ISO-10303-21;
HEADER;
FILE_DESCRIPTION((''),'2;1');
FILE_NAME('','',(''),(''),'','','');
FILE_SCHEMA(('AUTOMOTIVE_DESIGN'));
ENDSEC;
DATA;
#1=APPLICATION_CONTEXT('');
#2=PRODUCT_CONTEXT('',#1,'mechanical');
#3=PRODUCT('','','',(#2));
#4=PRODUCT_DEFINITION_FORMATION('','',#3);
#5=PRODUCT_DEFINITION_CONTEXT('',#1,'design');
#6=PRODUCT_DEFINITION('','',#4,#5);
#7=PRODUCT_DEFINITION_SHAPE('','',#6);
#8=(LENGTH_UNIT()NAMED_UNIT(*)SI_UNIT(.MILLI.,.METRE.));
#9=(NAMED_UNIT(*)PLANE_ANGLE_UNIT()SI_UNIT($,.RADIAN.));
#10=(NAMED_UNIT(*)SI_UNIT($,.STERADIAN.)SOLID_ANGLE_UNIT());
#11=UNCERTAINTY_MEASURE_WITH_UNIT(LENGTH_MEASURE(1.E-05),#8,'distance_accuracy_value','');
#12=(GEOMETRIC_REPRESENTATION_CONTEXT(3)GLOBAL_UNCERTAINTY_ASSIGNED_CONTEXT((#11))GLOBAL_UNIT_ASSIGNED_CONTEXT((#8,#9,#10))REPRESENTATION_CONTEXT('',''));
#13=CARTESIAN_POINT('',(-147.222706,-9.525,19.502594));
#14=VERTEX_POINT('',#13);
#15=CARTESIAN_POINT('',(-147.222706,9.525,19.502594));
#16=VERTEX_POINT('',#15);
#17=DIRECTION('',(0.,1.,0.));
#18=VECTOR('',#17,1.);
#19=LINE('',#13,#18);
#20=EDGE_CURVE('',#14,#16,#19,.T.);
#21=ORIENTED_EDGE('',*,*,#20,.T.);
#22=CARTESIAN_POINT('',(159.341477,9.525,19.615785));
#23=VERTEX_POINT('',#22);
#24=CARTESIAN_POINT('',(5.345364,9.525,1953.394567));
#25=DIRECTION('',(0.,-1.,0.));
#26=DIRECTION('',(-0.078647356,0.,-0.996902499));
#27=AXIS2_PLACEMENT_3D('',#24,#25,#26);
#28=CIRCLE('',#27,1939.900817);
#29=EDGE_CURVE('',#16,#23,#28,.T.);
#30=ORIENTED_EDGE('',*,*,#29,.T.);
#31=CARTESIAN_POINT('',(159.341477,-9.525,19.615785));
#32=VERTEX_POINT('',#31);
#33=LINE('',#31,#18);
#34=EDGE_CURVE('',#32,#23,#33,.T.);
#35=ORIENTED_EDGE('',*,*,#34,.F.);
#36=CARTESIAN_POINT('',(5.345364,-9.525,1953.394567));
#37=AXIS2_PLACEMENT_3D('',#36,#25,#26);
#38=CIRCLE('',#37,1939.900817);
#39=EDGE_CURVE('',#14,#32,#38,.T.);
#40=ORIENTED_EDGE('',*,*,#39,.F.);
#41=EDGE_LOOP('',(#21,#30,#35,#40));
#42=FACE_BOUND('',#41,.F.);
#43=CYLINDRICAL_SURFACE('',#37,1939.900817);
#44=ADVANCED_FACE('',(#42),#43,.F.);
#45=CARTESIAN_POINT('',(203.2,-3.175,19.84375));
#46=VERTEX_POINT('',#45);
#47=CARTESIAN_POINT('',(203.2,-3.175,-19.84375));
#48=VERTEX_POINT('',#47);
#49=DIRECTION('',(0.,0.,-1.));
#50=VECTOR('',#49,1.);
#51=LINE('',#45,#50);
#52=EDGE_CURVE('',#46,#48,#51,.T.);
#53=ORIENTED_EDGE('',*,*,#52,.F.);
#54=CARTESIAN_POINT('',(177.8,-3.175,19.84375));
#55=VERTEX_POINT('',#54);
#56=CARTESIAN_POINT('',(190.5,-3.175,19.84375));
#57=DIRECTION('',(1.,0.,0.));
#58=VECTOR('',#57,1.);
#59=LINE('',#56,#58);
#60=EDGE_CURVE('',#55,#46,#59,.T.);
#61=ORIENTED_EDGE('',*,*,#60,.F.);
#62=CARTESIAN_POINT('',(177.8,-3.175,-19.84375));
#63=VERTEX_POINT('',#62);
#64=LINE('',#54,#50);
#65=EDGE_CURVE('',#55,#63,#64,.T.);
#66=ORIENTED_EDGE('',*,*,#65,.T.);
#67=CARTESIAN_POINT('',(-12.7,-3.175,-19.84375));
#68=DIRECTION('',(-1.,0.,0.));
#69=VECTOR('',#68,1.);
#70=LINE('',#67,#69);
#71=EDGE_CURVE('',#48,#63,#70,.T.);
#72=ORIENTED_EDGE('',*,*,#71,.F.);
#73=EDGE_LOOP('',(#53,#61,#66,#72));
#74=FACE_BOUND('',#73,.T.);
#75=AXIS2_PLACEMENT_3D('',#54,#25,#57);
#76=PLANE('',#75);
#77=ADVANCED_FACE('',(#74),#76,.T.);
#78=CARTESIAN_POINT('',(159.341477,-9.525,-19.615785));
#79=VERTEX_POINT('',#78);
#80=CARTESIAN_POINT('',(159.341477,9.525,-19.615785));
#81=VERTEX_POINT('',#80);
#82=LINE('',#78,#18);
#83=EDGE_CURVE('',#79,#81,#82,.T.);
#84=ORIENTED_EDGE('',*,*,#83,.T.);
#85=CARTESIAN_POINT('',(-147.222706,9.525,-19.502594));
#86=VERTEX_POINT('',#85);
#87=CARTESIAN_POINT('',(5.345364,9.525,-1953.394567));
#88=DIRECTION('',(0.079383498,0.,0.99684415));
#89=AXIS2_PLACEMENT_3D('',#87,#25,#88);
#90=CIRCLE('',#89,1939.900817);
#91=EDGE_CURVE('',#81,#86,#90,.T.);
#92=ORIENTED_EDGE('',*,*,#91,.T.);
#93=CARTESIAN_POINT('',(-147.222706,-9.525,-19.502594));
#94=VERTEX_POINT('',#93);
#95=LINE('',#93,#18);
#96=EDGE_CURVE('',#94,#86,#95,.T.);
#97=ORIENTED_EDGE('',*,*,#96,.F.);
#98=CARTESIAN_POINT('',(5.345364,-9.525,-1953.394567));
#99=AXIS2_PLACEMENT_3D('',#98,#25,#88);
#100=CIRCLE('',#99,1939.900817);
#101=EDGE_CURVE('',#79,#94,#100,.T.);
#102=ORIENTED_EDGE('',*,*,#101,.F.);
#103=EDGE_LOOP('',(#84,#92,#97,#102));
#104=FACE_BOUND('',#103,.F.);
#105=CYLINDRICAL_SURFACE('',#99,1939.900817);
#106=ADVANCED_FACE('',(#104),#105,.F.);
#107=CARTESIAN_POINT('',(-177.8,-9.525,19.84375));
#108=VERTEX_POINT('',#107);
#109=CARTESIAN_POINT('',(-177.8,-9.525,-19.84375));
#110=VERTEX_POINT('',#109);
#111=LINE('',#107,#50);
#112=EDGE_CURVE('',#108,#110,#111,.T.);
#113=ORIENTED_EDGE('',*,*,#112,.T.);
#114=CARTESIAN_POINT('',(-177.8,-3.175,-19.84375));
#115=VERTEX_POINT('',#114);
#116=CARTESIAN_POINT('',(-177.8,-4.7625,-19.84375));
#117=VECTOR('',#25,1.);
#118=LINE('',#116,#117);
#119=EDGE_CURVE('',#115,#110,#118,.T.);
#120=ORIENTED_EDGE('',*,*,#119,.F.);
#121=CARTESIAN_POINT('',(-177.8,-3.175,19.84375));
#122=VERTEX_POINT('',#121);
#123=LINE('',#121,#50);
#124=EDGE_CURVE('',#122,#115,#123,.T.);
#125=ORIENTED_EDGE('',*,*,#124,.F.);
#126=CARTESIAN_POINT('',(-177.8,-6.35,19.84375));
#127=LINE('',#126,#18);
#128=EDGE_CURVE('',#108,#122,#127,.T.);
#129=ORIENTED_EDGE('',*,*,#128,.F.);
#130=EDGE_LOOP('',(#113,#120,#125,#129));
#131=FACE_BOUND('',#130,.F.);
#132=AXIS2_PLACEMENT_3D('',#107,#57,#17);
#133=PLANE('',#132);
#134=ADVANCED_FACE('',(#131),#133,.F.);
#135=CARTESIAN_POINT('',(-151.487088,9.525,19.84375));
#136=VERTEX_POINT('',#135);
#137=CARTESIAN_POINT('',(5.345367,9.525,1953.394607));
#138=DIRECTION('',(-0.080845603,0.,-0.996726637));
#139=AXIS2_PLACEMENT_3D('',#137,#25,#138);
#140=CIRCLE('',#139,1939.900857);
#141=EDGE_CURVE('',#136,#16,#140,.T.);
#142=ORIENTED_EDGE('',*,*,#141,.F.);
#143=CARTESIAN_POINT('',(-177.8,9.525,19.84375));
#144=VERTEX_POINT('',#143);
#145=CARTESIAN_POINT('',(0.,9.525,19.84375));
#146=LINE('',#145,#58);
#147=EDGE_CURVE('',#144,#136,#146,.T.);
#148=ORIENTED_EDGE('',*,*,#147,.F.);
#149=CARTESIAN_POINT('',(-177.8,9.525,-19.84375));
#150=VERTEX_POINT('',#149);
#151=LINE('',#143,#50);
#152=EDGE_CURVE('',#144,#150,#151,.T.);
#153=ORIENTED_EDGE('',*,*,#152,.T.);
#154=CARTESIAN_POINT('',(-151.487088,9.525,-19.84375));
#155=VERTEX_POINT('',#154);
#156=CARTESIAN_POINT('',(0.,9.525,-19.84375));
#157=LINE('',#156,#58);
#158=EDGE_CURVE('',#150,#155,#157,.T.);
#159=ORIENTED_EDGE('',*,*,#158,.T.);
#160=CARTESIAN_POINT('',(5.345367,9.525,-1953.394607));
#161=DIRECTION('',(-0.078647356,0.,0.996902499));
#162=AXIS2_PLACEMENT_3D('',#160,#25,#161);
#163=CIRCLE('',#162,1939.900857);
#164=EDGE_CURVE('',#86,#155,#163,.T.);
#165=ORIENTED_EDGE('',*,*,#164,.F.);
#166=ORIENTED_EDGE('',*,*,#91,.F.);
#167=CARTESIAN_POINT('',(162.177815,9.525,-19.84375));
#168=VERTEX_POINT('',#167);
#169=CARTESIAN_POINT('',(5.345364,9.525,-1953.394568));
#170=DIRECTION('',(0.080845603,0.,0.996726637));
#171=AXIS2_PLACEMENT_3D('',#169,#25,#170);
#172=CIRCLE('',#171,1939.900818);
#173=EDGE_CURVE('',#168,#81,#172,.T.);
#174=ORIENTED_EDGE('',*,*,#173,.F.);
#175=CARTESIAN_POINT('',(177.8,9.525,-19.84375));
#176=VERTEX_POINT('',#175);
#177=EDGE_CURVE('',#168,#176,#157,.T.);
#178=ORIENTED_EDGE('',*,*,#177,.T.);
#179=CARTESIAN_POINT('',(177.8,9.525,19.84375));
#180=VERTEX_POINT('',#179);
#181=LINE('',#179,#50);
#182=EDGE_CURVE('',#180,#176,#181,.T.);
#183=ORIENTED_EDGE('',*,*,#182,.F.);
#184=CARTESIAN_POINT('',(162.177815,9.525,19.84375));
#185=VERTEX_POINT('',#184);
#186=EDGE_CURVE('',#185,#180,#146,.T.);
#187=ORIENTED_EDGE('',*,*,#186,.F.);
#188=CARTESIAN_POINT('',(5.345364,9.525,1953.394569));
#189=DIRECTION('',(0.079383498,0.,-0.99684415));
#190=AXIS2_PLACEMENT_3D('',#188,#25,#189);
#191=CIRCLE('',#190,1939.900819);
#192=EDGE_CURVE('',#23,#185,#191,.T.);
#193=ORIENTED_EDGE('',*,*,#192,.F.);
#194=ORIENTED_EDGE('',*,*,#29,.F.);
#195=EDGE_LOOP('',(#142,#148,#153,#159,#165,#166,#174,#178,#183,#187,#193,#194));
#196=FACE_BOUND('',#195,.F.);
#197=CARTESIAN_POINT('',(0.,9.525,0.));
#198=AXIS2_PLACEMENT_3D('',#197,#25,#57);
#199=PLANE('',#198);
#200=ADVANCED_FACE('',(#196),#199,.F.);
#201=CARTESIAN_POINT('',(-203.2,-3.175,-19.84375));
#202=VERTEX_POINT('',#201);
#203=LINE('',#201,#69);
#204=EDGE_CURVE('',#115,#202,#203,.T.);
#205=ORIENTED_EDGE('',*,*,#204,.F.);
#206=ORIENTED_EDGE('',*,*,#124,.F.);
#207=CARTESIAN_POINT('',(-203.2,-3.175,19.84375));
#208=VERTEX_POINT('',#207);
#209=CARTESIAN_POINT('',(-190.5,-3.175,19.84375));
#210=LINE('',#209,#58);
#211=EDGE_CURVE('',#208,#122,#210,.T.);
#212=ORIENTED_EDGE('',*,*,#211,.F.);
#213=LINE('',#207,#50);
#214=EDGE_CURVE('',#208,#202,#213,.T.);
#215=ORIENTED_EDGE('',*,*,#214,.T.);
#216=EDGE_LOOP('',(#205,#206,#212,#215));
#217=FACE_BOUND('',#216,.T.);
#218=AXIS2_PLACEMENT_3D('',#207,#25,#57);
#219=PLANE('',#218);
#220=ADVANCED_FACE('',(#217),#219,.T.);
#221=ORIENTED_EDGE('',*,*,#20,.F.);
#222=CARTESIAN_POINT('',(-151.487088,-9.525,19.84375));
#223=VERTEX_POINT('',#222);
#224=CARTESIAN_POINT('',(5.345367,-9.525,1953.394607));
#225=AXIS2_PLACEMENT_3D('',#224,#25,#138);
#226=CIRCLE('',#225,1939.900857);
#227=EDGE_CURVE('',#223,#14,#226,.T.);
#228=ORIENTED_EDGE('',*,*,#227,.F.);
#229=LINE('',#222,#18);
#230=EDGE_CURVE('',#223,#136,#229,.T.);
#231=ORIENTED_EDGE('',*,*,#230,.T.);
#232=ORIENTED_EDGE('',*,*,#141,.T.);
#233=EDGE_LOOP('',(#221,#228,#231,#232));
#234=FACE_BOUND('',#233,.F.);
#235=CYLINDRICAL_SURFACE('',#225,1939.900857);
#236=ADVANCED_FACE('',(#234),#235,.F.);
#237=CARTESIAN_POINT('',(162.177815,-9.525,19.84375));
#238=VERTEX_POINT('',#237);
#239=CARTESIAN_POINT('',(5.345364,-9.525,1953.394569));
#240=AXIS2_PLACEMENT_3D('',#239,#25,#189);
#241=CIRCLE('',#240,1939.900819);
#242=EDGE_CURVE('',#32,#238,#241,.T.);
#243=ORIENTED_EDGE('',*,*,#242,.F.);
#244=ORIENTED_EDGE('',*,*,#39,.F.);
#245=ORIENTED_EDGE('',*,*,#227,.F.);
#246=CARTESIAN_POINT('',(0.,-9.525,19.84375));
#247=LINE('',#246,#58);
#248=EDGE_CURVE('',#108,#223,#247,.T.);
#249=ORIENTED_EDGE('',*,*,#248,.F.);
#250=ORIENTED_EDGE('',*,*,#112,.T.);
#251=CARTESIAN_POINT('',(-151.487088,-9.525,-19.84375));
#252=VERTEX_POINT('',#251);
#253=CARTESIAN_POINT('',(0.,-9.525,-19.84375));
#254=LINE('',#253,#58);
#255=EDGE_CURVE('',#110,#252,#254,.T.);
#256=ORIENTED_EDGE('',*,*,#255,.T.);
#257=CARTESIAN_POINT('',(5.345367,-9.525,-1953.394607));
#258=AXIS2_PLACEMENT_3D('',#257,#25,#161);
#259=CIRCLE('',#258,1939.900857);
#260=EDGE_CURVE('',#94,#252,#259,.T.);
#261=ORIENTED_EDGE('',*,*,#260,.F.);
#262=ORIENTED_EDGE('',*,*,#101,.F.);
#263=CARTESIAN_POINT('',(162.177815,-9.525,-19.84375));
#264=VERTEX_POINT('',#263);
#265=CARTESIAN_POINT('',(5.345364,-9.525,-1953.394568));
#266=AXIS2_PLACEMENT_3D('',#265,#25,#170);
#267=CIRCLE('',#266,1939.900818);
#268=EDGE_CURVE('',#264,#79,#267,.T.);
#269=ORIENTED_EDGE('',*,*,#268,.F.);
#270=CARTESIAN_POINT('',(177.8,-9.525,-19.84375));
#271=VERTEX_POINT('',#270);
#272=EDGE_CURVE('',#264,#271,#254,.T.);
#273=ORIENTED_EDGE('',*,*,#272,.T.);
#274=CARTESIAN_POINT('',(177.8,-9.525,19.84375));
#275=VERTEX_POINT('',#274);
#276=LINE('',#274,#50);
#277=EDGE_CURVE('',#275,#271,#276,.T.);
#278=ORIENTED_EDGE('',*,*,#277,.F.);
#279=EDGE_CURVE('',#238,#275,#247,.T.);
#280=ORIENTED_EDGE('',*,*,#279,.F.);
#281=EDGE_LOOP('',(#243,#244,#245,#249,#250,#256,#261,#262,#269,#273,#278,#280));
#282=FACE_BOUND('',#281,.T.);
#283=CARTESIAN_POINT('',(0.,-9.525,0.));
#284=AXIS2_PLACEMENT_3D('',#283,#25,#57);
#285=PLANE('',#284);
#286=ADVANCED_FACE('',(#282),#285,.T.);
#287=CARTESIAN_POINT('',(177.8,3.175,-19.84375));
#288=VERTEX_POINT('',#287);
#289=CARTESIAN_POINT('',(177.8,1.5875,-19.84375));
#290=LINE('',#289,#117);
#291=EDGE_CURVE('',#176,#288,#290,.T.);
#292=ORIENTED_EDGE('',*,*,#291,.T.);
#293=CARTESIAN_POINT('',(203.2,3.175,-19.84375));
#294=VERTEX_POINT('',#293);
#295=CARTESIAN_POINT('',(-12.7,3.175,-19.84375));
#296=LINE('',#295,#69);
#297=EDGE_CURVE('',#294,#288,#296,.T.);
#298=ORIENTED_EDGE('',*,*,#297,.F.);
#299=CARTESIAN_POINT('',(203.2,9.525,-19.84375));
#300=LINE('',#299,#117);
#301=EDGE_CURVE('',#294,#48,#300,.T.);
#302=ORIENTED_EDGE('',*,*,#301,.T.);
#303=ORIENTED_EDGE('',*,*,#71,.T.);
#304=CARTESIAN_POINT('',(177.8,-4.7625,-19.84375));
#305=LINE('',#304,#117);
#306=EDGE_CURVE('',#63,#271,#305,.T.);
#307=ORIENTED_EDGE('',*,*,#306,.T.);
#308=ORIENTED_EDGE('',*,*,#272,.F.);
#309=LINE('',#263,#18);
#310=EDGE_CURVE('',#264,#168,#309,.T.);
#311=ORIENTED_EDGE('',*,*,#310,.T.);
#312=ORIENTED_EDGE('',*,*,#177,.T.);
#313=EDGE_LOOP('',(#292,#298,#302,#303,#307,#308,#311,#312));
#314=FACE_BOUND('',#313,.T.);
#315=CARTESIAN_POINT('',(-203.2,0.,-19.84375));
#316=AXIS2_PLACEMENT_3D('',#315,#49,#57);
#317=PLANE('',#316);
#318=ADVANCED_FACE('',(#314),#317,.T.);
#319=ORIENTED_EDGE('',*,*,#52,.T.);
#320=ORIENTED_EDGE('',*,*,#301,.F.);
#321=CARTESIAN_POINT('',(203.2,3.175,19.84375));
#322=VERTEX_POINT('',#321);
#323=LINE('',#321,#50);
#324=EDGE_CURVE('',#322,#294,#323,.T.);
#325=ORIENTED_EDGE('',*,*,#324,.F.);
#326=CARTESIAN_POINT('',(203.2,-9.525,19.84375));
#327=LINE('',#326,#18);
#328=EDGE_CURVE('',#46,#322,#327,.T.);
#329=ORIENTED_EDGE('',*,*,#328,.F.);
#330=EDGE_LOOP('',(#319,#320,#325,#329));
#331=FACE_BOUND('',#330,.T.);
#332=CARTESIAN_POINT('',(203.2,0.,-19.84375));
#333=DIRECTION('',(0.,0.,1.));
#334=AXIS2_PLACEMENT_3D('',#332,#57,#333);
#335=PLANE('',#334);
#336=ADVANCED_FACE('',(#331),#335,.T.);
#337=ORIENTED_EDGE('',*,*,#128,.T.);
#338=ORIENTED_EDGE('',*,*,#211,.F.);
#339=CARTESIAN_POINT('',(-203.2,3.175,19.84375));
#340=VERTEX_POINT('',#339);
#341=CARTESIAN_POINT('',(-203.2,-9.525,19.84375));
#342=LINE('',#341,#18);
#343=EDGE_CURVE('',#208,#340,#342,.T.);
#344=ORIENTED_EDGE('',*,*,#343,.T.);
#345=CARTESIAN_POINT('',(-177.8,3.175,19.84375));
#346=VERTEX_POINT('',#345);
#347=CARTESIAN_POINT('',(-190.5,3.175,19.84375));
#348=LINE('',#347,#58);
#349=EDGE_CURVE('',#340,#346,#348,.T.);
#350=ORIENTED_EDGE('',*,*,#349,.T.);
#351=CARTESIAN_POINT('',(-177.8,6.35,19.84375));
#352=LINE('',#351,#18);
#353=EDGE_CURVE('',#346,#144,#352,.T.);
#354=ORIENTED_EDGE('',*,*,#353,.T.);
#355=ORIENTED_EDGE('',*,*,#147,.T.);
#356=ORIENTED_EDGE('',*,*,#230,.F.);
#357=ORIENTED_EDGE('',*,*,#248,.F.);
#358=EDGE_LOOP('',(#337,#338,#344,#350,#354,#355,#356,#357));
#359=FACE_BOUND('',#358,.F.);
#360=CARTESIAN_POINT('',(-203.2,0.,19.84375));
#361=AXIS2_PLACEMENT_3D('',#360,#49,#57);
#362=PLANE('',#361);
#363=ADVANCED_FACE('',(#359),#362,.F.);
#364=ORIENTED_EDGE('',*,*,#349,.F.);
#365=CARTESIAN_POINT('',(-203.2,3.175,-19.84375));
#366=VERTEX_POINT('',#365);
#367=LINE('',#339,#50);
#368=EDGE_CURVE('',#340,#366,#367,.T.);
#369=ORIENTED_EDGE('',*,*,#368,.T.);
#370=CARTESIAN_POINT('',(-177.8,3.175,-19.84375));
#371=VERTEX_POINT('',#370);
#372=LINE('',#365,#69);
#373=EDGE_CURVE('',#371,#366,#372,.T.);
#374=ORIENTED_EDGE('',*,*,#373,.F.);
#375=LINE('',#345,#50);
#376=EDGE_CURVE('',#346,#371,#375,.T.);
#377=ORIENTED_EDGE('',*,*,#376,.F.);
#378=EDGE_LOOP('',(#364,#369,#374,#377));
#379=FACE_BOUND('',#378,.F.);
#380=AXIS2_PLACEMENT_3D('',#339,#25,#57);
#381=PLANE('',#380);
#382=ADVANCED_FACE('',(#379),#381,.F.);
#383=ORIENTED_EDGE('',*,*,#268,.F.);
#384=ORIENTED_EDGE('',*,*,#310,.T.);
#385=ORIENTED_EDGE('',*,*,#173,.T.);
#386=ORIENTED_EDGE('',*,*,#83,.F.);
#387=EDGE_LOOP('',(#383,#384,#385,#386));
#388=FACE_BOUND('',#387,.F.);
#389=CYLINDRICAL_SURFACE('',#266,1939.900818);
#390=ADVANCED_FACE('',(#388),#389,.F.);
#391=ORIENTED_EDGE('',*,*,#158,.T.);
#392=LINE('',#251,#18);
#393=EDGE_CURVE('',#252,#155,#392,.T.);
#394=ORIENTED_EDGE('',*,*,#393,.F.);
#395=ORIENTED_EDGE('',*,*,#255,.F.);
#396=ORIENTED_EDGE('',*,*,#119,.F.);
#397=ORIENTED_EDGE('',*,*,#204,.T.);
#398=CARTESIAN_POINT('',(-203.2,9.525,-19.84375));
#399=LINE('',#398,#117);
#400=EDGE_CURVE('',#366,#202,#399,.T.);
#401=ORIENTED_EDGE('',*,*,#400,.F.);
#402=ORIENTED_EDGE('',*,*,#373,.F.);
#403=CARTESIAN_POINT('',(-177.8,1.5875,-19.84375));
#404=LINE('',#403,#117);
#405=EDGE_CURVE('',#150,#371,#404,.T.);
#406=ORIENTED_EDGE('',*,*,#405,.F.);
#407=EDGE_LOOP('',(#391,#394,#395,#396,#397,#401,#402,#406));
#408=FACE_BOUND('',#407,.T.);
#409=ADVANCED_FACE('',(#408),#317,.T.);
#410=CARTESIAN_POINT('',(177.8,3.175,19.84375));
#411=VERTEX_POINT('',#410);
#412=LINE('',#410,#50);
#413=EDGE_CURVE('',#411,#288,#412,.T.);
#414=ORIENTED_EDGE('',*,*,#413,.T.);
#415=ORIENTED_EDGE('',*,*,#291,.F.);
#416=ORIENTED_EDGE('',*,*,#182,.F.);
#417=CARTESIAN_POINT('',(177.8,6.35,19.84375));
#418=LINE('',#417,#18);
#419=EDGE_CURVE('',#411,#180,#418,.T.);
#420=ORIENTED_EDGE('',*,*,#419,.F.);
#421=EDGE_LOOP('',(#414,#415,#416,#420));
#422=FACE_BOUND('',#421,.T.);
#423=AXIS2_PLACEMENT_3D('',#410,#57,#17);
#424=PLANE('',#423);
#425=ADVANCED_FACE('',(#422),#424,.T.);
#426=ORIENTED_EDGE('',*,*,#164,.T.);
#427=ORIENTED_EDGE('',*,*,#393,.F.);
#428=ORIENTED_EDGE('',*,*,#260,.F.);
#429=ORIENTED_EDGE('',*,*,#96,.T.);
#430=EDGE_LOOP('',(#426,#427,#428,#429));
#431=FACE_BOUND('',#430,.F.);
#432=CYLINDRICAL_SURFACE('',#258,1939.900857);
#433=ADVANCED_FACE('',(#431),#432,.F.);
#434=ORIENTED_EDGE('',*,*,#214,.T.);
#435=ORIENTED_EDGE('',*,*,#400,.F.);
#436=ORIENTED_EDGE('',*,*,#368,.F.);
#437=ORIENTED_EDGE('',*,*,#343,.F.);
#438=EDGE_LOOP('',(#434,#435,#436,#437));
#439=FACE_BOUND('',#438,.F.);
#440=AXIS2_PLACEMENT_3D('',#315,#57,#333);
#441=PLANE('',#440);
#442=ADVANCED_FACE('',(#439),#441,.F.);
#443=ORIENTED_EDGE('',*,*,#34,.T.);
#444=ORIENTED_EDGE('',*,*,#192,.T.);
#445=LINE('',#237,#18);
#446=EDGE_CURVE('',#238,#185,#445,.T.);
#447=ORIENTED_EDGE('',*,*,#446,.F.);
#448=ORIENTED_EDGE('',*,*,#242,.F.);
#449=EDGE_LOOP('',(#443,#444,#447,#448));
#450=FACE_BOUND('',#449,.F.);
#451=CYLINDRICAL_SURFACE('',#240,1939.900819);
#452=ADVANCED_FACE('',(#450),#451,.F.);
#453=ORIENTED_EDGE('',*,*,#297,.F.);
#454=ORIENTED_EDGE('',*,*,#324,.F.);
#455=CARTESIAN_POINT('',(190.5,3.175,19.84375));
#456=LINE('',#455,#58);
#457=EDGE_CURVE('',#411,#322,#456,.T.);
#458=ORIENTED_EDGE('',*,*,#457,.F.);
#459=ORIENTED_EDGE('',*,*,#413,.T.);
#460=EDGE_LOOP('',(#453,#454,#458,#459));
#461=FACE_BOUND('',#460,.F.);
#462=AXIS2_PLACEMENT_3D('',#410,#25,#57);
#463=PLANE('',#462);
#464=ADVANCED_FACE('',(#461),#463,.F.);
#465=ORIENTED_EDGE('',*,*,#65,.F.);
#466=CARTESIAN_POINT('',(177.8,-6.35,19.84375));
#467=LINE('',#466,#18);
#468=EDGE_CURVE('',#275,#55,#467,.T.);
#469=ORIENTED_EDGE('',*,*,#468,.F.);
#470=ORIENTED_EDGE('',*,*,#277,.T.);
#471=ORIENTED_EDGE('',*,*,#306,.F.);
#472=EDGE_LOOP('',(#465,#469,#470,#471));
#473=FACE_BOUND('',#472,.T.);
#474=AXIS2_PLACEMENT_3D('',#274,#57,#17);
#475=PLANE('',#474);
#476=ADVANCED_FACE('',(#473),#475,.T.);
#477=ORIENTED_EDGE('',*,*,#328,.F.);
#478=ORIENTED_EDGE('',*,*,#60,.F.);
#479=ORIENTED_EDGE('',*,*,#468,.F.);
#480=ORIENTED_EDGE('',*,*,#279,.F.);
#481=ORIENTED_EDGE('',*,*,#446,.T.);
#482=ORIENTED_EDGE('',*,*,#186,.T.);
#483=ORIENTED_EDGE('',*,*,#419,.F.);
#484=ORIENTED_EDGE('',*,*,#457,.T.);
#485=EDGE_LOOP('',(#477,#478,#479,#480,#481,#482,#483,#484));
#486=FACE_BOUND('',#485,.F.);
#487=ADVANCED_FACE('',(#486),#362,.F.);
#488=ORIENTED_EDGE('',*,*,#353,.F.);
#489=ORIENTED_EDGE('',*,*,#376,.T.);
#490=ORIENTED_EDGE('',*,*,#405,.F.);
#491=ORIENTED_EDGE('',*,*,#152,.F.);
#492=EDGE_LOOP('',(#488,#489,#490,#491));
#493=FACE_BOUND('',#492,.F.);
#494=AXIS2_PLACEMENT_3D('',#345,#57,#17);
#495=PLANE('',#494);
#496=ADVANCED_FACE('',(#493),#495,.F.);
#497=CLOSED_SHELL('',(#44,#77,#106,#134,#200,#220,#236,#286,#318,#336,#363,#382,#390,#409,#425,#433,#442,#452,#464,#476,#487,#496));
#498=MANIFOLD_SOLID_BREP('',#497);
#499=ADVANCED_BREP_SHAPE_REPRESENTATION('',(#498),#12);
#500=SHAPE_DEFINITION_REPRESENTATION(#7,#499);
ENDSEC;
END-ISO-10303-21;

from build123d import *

# Parameters (mm, degrees)
F0_W     = 406.4
F0_H     = 39.6875
F1_DEPTH = 9.525
F2_W     = 25.4
F2_H     = 6.35
F3_DEPTH = 39.6885
F5_DEPTH = 19.051


with BuildPart() as f1:
    # F0 (on Front) → F1 (new body, symmetric)
    with BuildSketch(Plane.XZ):
        Rectangle(F0_W, F0_H)
    extrude(amount=F1_DEPTH, both=True)

    # F2 (on face) → F3 (cut, through all)
    with BuildSketch(Plane.XY.offset(19.84375)):
        with Locations((190.5, -6.35)):
            Rectangle(F2_W, F2_H)
        with Locations((190.5, 6.35)):
            Rectangle(F2_W, F2_H)
        with Locations((-190.5, -6.35)):
            Rectangle(F2_W, F2_H)
        with Locations((-190.5, 6.35)):
            Rectangle(F2_W, F2_H)
    extrude(amount=-F3_DEPTH, mode=Mode.SUBTRACT)

    # F4 (on face) → F5 (cut, through all)
    with BuildSketch(Plane.XZ.offset(9.525)):
        with BuildLine():
            Line((162.1778154521, 19.84375), (-151.4870877189, 19.84375))
            ThreePointArc((-151.4870877189, 19.84375), (-149.3549908007, 19.6719963975), (-147.222705797, 19.5025938249))
            ThreePointArc((-147.222705797, 19.5025938249), (6.0616249582, 13.493882231), (159.3414767794, 19.6157851846))
            ThreePointArc((159.3414767794, 19.6157851846), (160.7596879137, 19.7292475425), (162.1778154521, 19.84375))
        make_face()
        with BuildLine():
            ThreePointArc((-147.222705797, -19.5025938249), (-149.3549908007, -19.6719963975), (-151.4870877189, -19.84375))
            Line((-151.4870877189, -19.84375), (162.1778154521, -19.84375))
            ThreePointArc((162.1778154521, -19.84375), (160.7596879137, -19.7292475425), (159.3414767794, -19.6157851846))
            ThreePointArc((159.3414767794, -19.6157851846), (6.0616249582, -13.493882231), (-147.222705797, -19.5025938249))
        make_face()
    extrude(amount=-F5_DEPTH, mode=Mode.SUBTRACT)


solid = f1.part
